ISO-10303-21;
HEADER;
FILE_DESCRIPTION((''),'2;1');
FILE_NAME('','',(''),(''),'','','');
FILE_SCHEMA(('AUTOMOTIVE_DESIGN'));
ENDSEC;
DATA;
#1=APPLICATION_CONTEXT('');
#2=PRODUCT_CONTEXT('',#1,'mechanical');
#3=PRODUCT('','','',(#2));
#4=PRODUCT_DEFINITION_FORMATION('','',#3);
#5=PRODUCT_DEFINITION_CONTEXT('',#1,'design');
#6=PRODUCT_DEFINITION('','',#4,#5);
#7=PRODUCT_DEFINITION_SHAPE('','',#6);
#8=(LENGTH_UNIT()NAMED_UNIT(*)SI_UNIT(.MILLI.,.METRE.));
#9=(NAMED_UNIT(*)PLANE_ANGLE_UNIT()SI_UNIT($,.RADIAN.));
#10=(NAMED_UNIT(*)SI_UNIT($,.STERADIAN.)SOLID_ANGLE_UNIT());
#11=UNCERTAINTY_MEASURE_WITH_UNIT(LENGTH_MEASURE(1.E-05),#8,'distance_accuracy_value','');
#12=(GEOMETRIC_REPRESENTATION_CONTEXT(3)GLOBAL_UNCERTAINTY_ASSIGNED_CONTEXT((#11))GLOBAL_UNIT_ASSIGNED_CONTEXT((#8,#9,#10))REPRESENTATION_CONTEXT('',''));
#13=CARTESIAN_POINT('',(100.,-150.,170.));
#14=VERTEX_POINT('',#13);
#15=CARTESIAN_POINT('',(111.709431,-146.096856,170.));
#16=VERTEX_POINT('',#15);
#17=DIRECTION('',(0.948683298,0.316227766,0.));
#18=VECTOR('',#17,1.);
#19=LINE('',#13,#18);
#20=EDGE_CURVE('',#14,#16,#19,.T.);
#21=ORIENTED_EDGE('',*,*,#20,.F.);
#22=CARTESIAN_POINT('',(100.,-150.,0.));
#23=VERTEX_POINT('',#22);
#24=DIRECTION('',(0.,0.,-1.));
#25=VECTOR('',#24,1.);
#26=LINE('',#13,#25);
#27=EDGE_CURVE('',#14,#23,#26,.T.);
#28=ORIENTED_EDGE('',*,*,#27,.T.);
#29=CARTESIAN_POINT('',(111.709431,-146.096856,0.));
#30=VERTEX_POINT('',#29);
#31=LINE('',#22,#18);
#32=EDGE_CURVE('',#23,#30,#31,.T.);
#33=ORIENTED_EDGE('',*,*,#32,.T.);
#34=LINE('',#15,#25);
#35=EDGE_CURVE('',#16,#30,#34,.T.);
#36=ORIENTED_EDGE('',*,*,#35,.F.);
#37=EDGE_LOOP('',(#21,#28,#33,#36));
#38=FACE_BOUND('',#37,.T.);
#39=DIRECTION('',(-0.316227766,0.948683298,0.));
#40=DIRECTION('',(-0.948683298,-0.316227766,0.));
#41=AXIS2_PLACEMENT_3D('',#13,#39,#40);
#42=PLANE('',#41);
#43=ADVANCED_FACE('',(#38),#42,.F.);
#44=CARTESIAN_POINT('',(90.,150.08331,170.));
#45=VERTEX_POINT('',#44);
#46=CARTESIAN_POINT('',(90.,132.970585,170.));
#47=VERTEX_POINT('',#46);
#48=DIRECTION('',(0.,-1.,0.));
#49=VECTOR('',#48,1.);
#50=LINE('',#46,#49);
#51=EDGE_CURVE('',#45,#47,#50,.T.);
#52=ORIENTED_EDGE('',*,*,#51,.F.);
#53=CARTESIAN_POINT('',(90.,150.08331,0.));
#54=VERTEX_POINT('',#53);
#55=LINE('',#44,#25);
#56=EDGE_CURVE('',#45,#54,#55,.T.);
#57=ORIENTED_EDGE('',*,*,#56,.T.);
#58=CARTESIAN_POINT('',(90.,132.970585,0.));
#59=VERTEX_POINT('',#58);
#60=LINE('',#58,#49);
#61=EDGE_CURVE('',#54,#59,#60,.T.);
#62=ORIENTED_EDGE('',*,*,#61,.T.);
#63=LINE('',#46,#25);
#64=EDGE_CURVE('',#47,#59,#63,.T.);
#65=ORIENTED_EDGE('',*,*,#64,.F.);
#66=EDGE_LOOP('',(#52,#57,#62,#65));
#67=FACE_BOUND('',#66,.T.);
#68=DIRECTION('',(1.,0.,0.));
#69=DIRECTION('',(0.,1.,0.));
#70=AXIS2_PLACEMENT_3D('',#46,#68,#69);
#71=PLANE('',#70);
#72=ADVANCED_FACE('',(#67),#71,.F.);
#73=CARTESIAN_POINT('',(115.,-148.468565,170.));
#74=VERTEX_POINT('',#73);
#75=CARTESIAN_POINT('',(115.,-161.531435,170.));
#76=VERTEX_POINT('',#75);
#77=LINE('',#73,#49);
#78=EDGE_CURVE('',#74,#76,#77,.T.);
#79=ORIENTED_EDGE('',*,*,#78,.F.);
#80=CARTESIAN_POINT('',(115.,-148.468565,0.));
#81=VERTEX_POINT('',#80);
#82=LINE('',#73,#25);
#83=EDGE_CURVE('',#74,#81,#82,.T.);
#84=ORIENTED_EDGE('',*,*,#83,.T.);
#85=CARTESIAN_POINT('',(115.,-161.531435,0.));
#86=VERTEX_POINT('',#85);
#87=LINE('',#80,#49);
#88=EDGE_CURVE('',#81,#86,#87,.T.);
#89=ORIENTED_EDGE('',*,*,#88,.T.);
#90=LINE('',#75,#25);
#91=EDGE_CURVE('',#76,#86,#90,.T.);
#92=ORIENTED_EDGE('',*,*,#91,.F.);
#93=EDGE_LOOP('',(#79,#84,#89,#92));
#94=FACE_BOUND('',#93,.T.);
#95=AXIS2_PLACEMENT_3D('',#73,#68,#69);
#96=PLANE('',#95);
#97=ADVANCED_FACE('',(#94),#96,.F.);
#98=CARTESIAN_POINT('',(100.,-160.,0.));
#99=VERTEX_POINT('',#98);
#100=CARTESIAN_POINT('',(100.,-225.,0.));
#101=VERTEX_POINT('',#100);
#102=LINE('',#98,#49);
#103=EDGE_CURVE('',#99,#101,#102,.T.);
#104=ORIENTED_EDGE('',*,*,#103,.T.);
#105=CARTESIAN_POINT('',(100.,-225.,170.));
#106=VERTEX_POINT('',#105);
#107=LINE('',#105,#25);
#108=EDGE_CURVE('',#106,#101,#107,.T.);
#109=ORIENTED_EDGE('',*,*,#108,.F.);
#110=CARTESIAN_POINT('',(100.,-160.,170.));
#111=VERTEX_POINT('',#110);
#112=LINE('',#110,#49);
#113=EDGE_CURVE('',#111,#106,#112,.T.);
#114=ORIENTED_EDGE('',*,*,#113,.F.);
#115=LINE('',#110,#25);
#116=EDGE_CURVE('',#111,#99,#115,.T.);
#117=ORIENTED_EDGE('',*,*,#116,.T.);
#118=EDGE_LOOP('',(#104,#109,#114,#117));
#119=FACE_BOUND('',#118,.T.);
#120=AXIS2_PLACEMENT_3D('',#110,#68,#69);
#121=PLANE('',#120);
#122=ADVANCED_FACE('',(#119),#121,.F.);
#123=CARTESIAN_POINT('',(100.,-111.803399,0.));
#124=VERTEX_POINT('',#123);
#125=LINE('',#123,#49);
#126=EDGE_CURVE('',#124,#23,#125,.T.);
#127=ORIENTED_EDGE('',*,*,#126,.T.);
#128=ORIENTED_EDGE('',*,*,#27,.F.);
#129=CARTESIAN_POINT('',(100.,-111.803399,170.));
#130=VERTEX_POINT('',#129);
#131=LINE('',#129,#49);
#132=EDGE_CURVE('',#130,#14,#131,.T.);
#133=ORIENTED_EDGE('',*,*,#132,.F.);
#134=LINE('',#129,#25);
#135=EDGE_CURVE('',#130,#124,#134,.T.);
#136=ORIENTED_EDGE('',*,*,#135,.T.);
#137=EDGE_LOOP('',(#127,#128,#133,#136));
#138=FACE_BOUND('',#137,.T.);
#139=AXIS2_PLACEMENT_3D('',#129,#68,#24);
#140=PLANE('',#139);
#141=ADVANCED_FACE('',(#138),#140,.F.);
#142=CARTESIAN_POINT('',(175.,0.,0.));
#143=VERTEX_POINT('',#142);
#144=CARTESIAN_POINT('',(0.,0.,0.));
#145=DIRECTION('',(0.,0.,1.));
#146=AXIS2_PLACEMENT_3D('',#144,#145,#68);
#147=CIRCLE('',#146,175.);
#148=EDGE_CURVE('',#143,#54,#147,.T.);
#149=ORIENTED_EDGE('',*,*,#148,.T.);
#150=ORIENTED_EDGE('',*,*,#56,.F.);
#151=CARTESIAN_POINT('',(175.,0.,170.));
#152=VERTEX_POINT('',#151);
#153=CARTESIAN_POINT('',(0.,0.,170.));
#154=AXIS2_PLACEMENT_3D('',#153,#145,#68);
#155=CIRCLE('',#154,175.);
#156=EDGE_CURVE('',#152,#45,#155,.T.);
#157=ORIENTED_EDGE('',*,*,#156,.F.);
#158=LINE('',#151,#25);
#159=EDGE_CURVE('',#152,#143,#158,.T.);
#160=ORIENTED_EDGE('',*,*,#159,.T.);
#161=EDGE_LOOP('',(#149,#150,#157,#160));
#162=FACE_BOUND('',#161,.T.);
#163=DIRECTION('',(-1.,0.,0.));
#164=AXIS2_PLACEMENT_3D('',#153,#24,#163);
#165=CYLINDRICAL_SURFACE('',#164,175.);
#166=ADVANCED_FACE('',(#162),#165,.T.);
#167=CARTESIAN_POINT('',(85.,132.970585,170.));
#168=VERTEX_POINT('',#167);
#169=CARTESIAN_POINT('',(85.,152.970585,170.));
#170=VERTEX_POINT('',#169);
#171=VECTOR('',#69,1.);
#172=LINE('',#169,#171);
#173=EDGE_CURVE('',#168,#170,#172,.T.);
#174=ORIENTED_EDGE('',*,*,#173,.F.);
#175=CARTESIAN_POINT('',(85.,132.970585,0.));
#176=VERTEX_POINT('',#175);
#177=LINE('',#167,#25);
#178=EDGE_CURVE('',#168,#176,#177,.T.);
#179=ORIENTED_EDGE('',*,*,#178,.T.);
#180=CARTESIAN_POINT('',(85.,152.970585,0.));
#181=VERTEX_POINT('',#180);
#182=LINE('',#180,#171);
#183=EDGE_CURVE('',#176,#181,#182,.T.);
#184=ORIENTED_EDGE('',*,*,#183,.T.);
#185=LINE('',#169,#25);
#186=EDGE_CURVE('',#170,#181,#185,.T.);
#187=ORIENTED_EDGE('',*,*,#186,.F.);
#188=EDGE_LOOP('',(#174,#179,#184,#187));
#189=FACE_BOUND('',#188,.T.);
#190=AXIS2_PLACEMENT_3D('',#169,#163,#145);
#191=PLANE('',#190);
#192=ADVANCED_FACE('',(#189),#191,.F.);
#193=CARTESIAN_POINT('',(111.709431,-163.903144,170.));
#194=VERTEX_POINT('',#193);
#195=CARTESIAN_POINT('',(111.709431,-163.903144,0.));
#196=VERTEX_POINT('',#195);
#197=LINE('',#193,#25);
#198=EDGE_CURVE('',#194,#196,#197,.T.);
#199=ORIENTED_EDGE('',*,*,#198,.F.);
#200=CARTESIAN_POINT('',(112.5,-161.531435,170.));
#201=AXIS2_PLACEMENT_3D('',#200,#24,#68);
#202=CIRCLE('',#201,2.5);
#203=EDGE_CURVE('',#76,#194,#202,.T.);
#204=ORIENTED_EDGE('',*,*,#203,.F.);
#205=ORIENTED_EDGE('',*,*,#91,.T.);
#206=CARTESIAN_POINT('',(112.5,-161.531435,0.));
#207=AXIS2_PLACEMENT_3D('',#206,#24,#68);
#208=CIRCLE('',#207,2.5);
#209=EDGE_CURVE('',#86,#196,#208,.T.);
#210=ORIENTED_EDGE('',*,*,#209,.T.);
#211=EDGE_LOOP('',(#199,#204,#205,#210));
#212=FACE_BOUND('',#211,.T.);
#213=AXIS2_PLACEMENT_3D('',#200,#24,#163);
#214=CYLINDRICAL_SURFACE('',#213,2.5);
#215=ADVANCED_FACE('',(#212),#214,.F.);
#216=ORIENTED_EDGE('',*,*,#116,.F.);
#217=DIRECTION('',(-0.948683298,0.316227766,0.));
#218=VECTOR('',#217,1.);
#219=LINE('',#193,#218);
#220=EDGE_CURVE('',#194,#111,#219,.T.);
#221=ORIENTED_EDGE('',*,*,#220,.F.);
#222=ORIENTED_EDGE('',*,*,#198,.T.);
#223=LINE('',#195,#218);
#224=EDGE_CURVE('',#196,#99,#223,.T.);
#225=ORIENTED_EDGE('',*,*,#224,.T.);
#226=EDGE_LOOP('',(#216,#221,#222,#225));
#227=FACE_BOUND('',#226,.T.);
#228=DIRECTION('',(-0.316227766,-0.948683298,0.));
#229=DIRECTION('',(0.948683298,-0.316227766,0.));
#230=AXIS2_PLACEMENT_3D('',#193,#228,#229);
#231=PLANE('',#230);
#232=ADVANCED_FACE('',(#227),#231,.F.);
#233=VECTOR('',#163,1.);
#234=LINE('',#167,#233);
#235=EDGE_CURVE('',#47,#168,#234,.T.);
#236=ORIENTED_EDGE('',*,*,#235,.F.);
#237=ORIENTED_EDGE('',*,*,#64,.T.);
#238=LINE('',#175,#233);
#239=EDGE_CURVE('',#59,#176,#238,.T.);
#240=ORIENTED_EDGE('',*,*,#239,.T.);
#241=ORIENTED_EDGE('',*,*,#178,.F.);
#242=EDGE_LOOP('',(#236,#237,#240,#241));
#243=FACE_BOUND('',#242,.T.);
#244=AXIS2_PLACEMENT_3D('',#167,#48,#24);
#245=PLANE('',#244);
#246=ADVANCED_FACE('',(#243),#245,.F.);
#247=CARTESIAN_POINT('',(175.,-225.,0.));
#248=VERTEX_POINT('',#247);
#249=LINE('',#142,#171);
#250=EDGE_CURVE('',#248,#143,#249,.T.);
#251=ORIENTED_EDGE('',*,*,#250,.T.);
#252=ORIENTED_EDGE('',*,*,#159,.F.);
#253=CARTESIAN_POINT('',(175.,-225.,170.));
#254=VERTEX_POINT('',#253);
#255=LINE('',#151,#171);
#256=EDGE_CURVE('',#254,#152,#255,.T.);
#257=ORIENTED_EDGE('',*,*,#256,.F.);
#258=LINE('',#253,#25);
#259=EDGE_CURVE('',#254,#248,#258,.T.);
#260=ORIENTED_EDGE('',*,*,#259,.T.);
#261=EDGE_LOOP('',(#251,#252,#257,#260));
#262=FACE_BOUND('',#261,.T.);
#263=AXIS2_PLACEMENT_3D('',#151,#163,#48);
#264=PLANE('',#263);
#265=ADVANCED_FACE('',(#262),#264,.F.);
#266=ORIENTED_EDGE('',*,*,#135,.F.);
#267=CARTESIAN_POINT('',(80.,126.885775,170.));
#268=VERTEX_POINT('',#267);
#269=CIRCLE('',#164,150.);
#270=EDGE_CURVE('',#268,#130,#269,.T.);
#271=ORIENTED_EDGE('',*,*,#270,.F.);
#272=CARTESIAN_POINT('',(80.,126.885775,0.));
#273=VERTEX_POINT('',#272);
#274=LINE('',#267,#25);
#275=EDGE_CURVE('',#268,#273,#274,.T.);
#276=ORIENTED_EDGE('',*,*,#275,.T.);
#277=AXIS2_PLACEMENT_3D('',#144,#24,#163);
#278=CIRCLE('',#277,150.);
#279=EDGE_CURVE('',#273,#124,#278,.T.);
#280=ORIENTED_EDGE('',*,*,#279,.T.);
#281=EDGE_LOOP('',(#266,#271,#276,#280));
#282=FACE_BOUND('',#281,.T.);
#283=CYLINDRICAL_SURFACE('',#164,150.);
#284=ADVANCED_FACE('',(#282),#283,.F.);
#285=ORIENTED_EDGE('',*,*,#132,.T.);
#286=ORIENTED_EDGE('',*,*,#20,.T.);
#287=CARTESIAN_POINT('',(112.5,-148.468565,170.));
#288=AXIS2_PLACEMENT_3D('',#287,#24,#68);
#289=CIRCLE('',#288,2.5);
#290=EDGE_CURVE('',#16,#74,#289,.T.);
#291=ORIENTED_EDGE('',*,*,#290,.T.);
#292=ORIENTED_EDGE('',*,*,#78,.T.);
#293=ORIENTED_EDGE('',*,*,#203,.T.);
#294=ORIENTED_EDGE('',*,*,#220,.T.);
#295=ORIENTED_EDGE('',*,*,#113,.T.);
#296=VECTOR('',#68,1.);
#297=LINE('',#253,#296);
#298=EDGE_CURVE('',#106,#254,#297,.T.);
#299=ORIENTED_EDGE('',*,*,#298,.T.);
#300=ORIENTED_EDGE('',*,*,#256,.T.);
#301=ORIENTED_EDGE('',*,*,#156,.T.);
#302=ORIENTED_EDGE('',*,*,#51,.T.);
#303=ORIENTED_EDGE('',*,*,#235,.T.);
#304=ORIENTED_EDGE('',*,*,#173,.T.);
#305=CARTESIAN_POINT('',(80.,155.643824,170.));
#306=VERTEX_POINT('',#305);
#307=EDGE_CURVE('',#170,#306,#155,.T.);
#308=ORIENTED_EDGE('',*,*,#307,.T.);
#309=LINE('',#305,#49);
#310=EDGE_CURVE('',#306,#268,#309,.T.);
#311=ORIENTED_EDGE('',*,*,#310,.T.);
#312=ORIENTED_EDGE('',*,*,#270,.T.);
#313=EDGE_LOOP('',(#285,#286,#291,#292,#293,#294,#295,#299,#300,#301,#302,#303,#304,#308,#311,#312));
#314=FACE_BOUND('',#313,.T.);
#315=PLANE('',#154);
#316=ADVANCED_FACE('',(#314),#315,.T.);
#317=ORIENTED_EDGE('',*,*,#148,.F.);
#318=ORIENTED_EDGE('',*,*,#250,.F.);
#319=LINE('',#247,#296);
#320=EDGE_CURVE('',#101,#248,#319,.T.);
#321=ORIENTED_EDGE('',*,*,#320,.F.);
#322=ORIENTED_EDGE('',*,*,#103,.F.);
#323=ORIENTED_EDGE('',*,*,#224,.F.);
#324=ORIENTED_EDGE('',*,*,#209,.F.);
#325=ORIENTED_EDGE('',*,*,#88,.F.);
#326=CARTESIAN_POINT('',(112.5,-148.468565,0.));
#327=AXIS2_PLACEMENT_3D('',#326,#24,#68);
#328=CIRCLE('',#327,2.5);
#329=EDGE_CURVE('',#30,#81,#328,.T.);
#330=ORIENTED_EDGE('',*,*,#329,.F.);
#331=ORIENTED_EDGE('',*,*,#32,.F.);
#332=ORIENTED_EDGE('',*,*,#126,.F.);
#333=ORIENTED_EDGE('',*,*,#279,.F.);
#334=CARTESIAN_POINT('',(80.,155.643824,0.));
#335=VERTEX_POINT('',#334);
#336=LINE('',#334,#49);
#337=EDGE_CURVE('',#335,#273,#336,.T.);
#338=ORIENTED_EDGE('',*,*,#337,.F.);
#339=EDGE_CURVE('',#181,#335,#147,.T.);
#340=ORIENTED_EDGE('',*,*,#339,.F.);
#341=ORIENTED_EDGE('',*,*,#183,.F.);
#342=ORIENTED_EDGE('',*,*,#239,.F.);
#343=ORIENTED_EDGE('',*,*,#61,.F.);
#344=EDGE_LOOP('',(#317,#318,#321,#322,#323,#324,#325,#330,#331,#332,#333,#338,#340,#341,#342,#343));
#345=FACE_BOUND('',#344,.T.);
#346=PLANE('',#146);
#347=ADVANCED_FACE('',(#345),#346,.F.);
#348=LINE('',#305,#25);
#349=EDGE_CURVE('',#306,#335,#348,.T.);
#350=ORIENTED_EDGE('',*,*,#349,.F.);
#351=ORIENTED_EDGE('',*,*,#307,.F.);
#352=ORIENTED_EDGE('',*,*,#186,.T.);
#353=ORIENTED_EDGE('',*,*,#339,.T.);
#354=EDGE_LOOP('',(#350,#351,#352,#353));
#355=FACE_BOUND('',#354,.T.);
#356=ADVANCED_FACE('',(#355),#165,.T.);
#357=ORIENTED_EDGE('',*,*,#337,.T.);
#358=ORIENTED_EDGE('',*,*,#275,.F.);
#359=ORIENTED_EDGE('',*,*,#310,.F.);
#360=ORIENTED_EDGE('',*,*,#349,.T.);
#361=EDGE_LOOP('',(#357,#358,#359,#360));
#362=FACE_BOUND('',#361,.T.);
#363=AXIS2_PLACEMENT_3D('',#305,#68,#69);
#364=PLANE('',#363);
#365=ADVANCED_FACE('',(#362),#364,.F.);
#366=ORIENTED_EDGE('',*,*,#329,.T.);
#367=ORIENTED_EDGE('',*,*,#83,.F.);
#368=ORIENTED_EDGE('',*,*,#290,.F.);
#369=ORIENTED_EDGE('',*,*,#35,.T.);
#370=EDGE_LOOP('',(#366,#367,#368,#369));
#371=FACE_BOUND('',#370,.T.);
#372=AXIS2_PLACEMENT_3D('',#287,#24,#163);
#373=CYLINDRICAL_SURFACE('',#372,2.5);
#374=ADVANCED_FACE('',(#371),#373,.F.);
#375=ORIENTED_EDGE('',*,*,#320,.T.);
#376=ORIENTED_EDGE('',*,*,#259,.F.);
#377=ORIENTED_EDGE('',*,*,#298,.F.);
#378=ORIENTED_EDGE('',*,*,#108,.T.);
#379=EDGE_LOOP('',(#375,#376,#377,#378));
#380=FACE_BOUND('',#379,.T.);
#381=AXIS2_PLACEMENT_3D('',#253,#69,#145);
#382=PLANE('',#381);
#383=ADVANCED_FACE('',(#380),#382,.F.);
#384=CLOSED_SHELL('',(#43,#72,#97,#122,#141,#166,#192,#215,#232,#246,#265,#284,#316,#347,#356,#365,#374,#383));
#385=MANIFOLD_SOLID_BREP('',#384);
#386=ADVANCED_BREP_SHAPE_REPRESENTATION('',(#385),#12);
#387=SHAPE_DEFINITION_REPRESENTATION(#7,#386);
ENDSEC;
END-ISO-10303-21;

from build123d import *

# Parameters (mm, degrees)
INNER_RING_RIGHT_SIDE_DEPTH = 170


with BuildPart() as part:
    # Sketch2 → Inner Ring - Right Side (new body)
    with BuildSketch(Plane.XY):
        with BuildLine():
            Line((100, -111.803398875), (100, -150))
            Line((100, -150), (111.709430585, -146.096856472))
            ThreePointArc((111.709430585, -146.096856472), (113.961775712, -146.440459254), (115, -148.468564717))
            Line((115, -148.468564717), (115, -161.531435283))
            ThreePointArc((115, -161.531435283), (113.961775712, -163.559540746), (111.709430585, -163.903143528))
            Line((111.709430585, -163.903143528), (100, -160))
            Line((100, -160), (100, -225))
            Line((100, -225), (175, -225))
            Line((175, -225), (175, 0))
            ThreePointArc((175, 0), (152.274423328, 86.240941553), (90, 150.083310198))
            Line((90, 150.083310198), (90, 132.970585408))
            Line((90, 132.970585408), (85, 132.970585408))
            Line((85, 132.970585408), (85, 152.970585408))
            ThreePointArc((85, 152.970585408), (82.510826874, 154.327455265), (80, 155.643824163))
            Line((80, 155.643824163), (80, 126.885775404))
            ThreePointArc((80, 126.885775404), (149.476186998, 12.524756303), (100, -111.803398875))
        make_face()
    extrude(amount=INNER_RING_RIGHT_SIDE_DEPTH)


solid = part.part
